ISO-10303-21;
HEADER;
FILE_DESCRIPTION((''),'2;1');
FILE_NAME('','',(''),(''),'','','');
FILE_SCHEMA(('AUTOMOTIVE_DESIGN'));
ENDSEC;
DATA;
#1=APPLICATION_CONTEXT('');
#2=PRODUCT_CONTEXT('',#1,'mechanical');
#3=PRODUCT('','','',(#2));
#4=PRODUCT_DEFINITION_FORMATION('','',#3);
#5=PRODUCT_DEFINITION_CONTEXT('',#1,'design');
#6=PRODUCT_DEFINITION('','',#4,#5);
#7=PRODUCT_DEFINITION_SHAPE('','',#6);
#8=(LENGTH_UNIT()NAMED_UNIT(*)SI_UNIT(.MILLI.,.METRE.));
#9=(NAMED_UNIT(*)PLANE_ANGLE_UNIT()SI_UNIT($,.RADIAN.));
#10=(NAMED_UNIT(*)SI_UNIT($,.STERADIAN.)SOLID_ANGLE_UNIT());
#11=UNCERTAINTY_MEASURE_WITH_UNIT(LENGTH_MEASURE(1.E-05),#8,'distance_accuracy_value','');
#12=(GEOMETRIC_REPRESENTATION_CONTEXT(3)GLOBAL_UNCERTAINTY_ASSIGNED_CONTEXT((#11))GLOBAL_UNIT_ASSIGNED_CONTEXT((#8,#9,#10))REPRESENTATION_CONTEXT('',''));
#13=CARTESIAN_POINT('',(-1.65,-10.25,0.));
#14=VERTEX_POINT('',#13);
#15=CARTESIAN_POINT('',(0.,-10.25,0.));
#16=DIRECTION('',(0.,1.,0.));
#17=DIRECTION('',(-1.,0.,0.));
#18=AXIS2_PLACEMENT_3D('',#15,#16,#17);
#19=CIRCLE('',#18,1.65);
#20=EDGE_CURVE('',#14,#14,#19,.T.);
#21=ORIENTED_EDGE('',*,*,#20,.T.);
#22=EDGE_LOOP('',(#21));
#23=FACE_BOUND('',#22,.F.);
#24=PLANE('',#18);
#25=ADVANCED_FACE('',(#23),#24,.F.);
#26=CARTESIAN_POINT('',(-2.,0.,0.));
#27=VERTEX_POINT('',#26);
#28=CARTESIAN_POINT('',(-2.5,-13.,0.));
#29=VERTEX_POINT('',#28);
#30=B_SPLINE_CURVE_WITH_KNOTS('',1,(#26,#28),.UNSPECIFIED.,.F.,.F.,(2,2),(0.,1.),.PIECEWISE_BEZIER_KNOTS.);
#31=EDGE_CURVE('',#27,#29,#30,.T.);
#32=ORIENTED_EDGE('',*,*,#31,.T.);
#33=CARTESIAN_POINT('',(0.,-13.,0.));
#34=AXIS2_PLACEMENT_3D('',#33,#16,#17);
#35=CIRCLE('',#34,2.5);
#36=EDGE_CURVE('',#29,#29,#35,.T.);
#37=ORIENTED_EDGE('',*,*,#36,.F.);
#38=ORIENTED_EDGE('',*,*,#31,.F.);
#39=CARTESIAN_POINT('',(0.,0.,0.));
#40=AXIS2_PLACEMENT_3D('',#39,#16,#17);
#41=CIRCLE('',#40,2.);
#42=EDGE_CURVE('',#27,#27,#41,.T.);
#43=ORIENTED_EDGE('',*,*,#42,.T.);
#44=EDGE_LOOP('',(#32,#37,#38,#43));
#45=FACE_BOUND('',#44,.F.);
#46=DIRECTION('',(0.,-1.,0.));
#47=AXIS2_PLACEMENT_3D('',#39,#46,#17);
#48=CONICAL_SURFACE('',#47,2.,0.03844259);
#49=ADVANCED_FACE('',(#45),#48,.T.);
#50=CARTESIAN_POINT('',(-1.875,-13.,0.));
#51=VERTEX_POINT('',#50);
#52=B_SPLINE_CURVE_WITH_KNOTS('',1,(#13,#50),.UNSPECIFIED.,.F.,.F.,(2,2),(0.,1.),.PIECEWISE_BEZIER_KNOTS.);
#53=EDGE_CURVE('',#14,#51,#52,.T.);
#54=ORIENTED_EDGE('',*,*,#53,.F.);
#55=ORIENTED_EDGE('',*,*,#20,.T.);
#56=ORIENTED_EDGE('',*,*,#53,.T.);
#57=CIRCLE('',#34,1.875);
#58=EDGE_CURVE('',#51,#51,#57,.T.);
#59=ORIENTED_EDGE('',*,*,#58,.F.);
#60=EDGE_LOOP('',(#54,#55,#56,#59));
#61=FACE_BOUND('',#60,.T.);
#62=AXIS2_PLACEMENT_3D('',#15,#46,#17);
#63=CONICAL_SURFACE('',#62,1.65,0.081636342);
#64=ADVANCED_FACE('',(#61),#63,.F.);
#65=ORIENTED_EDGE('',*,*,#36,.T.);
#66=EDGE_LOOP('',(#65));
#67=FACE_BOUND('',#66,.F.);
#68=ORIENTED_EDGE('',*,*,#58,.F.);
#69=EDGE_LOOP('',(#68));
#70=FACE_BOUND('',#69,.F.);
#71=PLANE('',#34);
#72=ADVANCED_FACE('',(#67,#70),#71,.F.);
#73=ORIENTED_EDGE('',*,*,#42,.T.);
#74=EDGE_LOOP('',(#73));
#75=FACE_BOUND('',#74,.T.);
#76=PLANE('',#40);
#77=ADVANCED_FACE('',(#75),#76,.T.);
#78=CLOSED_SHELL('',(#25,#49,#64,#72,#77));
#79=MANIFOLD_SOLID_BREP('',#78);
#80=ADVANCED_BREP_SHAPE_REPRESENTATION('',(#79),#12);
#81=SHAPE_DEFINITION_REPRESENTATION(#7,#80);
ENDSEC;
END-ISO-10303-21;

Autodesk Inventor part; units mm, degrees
ref_plane "YZ Plane" through (0, 0, 0) normal (1, 0, 0) x (0, 1, 0)
ref_plane "XY Plane" through (0, 0, 0) normal (0, 0, 1) x (1, 0, 0)
sketch "Sketch1" plane through (0, 0, 0) normal (0, 1, 0) x (-1, 0, 0)
  circle A0 centre (0, 0) radius 2
  dimension "d0" = 4
ref_plane "Work Plane1" through (0, -13, 0) normal (0, 1, 0) x (-1, 0, 0)
sketch "Sketch2" plane through (0, -13, 0) normal (0, 1, 0) x (-1, 0, 0)
  circle A0 centre (0, 0) radius 2.5
  dimension "d2" = 5
ref_plane "Work Plane2" through (0, -10.25, 0) normal (0, 1, 0) x (-1, 0, 0)
sketch "Sketch3" plane through (0, -10.25, 0) normal (0, 1, 0) x (-1, 0, 0)
  circle A0 centre (0, 0) radius 1.65
  dimension "d5" = 3.3
loft "Loft1" add profiles "Sketch1", "Sketch2"
sketch "Sketch5" plane through (0, -13, 0) normal (0, -1, 0) x (1, 0, 0)
  circle A0 centre (0, 0) radius 1.875
  dimension "d10" = 3.75
loft "Loft2" cut profiles "Sketch3", "Sketch5"
properties part number "button extension"
